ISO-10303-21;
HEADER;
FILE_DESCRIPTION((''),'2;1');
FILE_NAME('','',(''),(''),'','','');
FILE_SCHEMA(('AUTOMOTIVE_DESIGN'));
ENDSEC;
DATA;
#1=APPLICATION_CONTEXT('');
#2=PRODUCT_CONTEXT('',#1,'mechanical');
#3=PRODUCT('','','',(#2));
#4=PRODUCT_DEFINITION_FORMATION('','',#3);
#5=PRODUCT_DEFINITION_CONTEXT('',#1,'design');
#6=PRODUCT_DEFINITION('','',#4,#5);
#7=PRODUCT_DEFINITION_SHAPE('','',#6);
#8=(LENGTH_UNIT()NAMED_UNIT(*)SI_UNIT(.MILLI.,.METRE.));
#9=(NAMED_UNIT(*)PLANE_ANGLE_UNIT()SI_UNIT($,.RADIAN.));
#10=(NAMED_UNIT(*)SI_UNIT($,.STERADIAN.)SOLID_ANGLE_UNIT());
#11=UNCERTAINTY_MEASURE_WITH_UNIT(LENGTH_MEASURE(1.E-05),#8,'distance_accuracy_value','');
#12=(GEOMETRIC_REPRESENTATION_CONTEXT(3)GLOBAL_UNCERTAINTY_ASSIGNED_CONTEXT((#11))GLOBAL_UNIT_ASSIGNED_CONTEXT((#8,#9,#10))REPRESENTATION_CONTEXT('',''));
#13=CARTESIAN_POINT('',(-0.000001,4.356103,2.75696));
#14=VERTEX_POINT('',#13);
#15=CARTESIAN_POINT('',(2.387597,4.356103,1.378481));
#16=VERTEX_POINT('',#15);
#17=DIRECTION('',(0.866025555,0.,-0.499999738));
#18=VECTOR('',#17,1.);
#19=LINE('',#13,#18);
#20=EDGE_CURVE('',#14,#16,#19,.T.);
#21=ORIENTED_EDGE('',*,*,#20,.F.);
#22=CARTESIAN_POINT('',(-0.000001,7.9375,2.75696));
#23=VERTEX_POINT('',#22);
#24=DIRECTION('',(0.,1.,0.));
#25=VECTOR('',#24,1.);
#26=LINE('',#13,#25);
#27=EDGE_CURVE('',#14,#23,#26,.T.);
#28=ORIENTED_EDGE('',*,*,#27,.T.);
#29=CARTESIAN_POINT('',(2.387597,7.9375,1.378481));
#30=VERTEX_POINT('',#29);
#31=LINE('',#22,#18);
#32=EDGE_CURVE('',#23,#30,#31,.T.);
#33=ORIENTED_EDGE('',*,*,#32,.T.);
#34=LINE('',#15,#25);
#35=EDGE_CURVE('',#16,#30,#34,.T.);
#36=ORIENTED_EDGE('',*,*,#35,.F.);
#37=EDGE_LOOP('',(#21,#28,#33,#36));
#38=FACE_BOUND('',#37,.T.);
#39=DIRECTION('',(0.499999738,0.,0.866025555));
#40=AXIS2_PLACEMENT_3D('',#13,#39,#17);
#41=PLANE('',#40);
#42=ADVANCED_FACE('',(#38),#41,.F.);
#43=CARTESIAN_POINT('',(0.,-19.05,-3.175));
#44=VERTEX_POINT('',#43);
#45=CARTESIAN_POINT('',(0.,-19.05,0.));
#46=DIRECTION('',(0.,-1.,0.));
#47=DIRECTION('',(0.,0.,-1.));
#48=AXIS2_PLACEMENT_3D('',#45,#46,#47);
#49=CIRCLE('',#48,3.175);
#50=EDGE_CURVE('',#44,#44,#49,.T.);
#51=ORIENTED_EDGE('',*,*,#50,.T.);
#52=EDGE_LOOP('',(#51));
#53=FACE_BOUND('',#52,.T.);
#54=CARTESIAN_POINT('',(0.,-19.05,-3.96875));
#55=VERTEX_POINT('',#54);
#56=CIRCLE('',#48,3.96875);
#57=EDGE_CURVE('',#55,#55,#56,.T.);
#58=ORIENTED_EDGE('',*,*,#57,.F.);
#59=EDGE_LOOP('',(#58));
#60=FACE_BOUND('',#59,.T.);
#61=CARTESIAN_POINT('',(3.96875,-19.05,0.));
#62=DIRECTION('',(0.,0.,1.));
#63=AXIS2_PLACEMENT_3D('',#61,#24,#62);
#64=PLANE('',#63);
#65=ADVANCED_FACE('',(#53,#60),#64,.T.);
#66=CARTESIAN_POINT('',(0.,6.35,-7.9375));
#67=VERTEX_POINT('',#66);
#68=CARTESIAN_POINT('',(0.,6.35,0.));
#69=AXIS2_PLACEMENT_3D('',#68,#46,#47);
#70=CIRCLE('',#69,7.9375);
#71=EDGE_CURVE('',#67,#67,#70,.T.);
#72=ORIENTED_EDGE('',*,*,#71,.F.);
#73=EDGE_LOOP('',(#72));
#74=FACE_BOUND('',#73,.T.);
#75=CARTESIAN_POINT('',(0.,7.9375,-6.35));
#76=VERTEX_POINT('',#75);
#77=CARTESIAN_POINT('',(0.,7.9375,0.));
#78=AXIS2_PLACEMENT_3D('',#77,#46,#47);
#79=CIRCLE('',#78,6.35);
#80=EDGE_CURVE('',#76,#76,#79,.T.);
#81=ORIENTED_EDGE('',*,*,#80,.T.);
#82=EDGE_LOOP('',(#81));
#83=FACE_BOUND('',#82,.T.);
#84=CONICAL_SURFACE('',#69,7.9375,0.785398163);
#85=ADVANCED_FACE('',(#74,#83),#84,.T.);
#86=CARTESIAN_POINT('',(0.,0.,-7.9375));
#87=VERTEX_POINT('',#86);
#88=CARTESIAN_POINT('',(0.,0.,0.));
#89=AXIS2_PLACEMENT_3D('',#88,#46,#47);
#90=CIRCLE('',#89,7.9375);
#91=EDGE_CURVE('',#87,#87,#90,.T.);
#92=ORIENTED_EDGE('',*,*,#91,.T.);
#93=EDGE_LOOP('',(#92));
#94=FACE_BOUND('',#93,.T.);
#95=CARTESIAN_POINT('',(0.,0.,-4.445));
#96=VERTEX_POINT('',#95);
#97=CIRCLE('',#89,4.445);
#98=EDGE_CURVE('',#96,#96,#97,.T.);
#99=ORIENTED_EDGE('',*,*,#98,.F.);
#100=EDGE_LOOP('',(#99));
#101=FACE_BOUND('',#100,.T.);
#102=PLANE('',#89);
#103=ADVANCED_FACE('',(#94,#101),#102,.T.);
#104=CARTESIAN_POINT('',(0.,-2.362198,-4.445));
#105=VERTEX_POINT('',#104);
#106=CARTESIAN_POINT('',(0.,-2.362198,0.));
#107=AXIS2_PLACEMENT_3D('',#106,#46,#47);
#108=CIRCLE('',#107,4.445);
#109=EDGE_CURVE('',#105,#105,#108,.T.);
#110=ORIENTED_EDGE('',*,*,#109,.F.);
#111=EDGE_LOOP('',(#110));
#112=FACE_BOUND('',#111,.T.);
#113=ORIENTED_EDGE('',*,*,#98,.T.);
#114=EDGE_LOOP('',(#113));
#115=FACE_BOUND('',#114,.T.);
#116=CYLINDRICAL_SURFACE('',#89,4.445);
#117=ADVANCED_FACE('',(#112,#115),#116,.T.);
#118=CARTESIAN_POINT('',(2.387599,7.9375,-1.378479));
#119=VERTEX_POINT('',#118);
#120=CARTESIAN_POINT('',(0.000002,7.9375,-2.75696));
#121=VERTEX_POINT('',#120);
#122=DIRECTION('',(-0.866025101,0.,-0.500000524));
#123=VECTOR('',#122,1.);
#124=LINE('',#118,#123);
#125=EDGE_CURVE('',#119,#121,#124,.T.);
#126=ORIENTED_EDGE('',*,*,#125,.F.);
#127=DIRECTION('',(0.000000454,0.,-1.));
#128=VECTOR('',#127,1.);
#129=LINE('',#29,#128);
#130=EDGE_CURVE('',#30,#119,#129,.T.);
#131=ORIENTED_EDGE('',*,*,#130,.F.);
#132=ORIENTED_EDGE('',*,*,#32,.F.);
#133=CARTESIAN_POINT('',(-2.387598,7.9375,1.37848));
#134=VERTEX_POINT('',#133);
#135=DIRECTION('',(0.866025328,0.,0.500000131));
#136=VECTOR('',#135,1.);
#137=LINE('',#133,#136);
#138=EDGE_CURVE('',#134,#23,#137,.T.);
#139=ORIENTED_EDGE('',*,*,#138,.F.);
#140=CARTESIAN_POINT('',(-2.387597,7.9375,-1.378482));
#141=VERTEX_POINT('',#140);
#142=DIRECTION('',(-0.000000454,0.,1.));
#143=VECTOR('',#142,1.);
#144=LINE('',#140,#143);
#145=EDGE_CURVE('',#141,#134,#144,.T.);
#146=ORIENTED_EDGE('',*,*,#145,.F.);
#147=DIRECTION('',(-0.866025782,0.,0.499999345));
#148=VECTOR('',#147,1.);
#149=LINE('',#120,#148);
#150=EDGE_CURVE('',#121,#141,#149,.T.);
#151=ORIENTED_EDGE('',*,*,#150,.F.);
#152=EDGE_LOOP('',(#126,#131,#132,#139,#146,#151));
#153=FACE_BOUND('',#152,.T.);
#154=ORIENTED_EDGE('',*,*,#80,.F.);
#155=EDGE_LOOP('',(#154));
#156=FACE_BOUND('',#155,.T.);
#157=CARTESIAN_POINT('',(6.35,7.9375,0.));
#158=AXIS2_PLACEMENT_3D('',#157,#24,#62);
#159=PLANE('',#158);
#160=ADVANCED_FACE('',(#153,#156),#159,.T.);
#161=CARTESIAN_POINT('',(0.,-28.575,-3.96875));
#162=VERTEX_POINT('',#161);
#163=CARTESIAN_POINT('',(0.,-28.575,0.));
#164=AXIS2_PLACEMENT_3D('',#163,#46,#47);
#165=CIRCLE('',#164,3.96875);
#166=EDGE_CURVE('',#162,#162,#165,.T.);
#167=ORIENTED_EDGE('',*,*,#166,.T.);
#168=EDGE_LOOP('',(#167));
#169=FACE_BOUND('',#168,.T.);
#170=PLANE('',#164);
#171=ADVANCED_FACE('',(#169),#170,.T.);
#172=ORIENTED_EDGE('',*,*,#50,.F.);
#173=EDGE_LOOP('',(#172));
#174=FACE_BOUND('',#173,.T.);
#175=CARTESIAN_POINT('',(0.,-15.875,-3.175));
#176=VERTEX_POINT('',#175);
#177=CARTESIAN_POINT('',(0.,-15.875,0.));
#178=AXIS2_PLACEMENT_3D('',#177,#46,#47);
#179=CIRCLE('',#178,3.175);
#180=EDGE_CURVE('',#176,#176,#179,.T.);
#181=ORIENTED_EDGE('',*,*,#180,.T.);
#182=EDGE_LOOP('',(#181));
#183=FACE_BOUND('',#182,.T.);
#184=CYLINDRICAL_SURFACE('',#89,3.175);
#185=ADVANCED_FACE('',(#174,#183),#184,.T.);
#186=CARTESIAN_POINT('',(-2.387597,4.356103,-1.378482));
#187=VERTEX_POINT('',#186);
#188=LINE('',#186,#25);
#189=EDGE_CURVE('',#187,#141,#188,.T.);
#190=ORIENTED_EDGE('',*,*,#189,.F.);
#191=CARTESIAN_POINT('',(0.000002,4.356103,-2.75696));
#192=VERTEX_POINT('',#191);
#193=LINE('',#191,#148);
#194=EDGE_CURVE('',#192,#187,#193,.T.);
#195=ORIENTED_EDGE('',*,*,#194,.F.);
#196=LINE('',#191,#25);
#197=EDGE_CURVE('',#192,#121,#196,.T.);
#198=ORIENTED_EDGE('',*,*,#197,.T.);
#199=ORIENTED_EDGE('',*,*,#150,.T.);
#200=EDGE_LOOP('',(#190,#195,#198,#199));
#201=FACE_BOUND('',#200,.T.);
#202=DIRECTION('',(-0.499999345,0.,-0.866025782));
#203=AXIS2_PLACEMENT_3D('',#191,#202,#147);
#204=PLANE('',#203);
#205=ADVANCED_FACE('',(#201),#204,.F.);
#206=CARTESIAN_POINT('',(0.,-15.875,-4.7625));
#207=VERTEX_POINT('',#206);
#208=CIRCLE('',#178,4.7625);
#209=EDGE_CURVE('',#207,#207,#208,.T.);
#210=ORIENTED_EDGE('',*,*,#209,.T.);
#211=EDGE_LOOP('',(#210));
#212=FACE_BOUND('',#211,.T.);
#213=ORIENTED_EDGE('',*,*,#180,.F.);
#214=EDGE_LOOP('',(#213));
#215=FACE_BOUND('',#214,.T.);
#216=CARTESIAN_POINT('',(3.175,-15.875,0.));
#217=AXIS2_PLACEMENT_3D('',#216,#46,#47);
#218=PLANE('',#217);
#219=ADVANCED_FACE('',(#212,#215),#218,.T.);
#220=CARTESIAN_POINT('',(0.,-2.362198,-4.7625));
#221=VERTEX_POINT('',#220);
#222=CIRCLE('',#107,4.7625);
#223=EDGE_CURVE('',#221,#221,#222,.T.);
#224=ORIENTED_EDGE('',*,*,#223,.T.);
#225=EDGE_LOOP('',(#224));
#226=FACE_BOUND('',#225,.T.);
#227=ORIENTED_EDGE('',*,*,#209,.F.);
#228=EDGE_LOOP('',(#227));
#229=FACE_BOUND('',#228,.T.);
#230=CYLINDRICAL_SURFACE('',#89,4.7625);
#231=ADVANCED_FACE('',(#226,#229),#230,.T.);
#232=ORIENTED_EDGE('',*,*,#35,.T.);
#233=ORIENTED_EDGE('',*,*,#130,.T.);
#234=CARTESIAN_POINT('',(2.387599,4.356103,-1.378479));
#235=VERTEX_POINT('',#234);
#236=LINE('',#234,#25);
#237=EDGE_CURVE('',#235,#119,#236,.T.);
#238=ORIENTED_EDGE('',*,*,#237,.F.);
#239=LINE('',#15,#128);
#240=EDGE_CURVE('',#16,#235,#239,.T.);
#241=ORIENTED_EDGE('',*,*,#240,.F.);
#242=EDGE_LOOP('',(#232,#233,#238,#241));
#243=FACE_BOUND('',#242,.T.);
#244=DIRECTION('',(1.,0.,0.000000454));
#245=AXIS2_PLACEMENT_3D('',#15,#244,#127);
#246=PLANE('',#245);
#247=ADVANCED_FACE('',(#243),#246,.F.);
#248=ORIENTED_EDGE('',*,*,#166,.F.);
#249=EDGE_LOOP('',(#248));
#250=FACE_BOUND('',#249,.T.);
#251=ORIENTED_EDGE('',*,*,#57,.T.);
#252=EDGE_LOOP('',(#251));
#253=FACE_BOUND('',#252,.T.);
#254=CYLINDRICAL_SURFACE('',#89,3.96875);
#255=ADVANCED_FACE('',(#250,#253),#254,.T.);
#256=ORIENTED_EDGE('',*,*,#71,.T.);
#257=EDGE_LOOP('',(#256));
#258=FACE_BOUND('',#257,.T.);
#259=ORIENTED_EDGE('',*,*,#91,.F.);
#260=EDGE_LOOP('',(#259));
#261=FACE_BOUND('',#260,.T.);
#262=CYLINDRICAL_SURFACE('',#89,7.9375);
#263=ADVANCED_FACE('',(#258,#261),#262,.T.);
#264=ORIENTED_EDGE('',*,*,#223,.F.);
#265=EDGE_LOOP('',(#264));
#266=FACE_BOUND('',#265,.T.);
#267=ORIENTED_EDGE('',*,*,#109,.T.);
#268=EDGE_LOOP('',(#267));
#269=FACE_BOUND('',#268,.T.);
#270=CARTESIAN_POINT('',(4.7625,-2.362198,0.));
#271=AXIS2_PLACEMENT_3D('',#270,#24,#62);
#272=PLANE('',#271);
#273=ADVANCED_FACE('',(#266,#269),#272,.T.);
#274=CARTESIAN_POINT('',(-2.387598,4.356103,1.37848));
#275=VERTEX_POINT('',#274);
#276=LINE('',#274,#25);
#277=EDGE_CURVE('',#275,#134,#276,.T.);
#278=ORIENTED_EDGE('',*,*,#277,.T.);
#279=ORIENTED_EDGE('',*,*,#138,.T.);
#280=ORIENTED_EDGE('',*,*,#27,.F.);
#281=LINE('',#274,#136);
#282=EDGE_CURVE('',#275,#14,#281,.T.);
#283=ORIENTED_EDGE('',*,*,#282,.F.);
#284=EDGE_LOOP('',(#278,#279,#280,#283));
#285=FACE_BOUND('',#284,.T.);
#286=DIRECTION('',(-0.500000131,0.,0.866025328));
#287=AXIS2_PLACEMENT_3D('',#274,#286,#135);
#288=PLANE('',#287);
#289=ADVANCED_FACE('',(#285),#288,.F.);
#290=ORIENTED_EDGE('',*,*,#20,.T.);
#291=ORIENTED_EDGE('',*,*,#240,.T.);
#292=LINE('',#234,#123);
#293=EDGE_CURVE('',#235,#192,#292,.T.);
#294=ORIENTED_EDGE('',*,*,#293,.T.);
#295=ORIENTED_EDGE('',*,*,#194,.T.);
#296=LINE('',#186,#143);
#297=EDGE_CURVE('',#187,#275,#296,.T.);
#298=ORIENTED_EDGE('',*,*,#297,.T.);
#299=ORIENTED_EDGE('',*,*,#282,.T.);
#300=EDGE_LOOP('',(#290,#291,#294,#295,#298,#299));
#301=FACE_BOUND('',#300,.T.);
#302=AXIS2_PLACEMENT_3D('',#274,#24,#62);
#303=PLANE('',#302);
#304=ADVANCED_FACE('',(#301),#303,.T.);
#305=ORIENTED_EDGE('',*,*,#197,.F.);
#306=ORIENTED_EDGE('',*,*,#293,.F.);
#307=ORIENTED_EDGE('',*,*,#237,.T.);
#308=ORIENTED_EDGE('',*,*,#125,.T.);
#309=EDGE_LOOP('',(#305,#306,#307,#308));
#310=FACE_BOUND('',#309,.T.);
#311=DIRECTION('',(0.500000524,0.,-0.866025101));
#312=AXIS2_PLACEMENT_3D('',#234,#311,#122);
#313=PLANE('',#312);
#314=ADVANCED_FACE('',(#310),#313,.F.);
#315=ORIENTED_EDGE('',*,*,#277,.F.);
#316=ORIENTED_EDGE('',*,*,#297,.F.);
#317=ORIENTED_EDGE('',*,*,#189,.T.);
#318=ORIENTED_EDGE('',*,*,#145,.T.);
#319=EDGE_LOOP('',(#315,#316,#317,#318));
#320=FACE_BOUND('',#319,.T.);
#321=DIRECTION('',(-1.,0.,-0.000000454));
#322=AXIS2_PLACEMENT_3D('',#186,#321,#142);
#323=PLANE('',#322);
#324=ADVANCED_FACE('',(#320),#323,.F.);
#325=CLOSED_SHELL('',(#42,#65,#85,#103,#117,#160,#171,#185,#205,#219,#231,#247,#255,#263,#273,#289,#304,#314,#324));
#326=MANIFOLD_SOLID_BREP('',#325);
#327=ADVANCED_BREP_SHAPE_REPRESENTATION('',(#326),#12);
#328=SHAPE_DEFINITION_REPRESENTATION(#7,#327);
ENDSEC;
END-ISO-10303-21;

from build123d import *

# Parameters (mm, degrees)
CUT_EXTRUDE1_DEPTH = 3.581396898


with BuildPart() as part:
    # Sketch2 → Base-Revolve (revolve)
    with BuildSketch(Plane.XY, mode=Mode.PRIVATE) as base_revolve_sk:
        Polygon((0, 0), (7.9375, 0), (7.9375, 6.35), (6.35, 7.9375), (0, 7.9375), align=None)
    revolve(base_revolve_sk.sketch.rotate(Axis((0, 0, 0), (0, 1, 0)), 90), axis=Axis((0, 0, 0), (0, 1, 0)))

    # Sketch3 → Boss-Revolve1 (revolve)
    with BuildSketch(Plane.XY, mode=Mode.PRIVATE) as boss_revolve1_sk:
        Polygon((0, -28.575), (3.96875, -28.575), (3.96875, -19.05), (3.175, -19.05), (3.175, -15.875), (4.7625, -15.875), (4.7625, -2.362197954), (4.445, -2.362197954), (4.445, 0), (0, 0), align=None)
    revolve(boss_revolve1_sk.sketch.rotate(Axis((0, 0, 0), (0, 1, 0)), 90), axis=Axis((0, 0, 0), (0, 1, 0)))

    # Sketch4 → Cut-Extrude1 (cut)
    with BuildSketch(Plane(origin=(0, 7.9375, 0), x_dir=(-1, 0, 0), z_dir=(0, 1, 0))):
        Polygon((2.387597932, 1.378480068), (6.25e-07, 2.756960497), (-2.387597307, 1.378481151), (-2.387598557, -1.378478985), (-1.876e-06, -2.756960497), (2.387596681, -1.378482234), align=None)
    extrude(amount=-CUT_EXTRUDE1_DEPTH, mode=Mode.SUBTRACT)


solid = part.part
